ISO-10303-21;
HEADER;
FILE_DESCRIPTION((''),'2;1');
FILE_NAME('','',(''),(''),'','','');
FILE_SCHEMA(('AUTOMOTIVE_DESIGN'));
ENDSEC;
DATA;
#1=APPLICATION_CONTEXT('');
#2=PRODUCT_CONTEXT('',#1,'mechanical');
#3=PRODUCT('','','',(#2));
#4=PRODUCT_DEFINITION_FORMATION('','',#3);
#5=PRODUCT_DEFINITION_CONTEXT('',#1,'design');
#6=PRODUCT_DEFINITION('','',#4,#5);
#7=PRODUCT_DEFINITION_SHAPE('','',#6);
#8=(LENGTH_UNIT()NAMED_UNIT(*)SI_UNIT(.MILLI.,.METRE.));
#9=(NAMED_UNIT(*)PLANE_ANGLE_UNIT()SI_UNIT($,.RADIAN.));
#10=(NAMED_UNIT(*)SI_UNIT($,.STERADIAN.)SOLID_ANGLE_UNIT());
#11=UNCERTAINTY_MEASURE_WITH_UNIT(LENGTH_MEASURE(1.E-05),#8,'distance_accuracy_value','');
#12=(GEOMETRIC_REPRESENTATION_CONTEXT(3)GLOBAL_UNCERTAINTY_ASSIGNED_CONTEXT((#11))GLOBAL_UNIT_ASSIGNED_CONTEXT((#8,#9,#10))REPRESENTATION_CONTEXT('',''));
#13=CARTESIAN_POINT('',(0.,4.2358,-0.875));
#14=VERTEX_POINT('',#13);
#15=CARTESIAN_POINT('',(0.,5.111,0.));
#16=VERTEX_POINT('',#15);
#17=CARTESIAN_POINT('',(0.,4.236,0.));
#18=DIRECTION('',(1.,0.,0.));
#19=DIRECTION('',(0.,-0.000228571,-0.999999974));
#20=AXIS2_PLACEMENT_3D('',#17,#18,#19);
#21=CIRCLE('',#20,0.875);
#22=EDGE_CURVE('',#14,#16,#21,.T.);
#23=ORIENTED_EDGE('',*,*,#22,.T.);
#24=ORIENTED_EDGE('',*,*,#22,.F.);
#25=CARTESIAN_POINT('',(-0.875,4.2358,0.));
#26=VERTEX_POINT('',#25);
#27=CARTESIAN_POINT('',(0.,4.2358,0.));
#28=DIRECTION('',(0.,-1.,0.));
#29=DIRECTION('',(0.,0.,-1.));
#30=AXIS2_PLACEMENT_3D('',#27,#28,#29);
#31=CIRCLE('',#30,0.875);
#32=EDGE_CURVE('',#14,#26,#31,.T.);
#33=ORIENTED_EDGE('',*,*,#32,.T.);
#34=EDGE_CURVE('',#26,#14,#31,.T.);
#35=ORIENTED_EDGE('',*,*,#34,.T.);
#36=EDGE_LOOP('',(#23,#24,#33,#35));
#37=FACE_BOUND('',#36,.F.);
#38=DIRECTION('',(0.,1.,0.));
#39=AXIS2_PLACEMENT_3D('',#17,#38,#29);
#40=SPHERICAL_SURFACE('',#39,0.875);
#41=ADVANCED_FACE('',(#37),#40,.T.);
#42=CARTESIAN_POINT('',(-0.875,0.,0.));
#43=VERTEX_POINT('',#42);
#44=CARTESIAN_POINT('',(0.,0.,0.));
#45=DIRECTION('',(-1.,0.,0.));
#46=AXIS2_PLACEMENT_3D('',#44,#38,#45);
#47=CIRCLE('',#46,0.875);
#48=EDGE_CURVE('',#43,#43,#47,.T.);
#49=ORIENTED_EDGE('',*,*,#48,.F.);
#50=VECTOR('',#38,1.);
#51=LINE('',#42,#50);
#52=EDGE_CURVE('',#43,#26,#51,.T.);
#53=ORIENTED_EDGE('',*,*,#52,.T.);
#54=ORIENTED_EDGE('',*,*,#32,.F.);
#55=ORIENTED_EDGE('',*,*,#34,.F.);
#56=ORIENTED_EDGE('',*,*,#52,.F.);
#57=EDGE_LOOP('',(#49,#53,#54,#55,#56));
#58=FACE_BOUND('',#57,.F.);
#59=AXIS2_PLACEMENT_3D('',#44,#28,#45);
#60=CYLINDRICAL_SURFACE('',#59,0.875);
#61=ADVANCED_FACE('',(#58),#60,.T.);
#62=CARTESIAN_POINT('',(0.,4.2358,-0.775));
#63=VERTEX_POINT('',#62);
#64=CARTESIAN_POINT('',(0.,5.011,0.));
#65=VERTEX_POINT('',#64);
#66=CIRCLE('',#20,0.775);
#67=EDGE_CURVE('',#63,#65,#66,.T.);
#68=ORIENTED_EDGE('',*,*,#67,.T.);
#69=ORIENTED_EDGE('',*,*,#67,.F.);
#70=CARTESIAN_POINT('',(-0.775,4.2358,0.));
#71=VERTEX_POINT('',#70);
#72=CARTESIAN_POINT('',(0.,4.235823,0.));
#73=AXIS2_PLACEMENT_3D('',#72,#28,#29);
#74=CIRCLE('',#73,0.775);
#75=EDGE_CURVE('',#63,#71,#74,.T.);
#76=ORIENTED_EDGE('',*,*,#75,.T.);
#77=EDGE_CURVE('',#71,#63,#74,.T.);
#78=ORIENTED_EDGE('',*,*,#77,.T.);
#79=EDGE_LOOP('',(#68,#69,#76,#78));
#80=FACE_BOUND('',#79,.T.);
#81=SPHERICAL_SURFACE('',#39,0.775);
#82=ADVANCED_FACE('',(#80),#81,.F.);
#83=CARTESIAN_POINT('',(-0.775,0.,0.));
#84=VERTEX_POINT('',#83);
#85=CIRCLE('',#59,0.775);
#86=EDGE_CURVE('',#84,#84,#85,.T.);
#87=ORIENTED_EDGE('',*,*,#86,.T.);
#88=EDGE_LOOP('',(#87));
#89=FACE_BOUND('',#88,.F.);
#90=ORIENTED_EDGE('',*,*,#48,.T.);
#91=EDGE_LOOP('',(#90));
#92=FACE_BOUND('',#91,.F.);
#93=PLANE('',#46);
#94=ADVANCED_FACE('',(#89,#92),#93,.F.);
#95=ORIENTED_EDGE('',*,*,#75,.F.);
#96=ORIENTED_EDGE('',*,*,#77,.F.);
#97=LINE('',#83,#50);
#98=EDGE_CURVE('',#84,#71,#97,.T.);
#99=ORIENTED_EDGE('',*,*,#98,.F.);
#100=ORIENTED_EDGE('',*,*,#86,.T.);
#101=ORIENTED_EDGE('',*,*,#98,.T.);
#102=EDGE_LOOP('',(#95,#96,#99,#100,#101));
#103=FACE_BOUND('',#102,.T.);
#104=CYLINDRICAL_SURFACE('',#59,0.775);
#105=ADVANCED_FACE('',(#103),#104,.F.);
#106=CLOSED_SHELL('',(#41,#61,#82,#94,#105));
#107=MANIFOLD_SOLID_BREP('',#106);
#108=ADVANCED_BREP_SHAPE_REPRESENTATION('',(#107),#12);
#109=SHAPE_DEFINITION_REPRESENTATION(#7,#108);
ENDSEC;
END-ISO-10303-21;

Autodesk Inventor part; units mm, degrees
ref_plane "YZ Plane" through (0, 0, 0) normal (1, 0, 0) x (0, 1, 0)
ref_plane "XZ Plane" through (0, 0, 0) normal (0, 1, 0) x (-1, 0, 0)
ref_plane "XY Plane" through (0, 0, 0) normal (0, 0, 1) x (1, 0, 0)
sketch "Sketch1" plane through (0, 0, 0) normal (0, 1, 0) x (-1, 0, 0)
  circle A0 centre (0, 0) radius 0.875
  dimension "d0" = 1.75
extrude "Extrusion1" add sketch "Sketch1" along normal blind 5.13
sketch "Sketch2" plane through (0, 0, 0) normal (1, 0, 0) x (0, 1, 0)
  line L0 (5.13, -0.875) -> (5.13, 0.875) projected
  arc A0 (5.13, 0.875) -> (5.13, -0.875) centre (5.111, 0) ccw
  line L1 (4.2358, 0) -> (4.2358, 0.875)
  line L2 (0, 0.875) -> (5.13, 0.875) projected
  line L3 (0, -0.875) -> (5.13, -0.875) projected
  arc A1 (4.2358, -0.875) -> (4.2358, 0.875) centre (4.236, 0) ccw
  line L4 (5.111, 0) -> (4.236, 0)
  line L5 (5.13, 0.875) -> (4.2358, 0.875)
  line L6 (4.2358, 0.875) -> (4.2358, -0.875)
  line L7 (4.2358, -0.875) -> (5.13, -0.875)
  line L8 (5.13, -0.875) -> (5.13, 0.875)
  line L9 (5.3365, 0) -> (4.983, 0)
  point P0 (0, 0)
  point P1 (5.13, 0)
revolve "Revolution1" cut sketch "Sketch2" angle 360 about axis through (0, 5.111, 0) along (0, -1, 0) picked at (5.0364, -0.5818) contours A0 A1 L9 L0 | L3 A1 A0
shell "Shell1" thickness 0.1 removed faces 1 at (0.2866, 0, -0.1766)
properties part number "continuacion medio"
